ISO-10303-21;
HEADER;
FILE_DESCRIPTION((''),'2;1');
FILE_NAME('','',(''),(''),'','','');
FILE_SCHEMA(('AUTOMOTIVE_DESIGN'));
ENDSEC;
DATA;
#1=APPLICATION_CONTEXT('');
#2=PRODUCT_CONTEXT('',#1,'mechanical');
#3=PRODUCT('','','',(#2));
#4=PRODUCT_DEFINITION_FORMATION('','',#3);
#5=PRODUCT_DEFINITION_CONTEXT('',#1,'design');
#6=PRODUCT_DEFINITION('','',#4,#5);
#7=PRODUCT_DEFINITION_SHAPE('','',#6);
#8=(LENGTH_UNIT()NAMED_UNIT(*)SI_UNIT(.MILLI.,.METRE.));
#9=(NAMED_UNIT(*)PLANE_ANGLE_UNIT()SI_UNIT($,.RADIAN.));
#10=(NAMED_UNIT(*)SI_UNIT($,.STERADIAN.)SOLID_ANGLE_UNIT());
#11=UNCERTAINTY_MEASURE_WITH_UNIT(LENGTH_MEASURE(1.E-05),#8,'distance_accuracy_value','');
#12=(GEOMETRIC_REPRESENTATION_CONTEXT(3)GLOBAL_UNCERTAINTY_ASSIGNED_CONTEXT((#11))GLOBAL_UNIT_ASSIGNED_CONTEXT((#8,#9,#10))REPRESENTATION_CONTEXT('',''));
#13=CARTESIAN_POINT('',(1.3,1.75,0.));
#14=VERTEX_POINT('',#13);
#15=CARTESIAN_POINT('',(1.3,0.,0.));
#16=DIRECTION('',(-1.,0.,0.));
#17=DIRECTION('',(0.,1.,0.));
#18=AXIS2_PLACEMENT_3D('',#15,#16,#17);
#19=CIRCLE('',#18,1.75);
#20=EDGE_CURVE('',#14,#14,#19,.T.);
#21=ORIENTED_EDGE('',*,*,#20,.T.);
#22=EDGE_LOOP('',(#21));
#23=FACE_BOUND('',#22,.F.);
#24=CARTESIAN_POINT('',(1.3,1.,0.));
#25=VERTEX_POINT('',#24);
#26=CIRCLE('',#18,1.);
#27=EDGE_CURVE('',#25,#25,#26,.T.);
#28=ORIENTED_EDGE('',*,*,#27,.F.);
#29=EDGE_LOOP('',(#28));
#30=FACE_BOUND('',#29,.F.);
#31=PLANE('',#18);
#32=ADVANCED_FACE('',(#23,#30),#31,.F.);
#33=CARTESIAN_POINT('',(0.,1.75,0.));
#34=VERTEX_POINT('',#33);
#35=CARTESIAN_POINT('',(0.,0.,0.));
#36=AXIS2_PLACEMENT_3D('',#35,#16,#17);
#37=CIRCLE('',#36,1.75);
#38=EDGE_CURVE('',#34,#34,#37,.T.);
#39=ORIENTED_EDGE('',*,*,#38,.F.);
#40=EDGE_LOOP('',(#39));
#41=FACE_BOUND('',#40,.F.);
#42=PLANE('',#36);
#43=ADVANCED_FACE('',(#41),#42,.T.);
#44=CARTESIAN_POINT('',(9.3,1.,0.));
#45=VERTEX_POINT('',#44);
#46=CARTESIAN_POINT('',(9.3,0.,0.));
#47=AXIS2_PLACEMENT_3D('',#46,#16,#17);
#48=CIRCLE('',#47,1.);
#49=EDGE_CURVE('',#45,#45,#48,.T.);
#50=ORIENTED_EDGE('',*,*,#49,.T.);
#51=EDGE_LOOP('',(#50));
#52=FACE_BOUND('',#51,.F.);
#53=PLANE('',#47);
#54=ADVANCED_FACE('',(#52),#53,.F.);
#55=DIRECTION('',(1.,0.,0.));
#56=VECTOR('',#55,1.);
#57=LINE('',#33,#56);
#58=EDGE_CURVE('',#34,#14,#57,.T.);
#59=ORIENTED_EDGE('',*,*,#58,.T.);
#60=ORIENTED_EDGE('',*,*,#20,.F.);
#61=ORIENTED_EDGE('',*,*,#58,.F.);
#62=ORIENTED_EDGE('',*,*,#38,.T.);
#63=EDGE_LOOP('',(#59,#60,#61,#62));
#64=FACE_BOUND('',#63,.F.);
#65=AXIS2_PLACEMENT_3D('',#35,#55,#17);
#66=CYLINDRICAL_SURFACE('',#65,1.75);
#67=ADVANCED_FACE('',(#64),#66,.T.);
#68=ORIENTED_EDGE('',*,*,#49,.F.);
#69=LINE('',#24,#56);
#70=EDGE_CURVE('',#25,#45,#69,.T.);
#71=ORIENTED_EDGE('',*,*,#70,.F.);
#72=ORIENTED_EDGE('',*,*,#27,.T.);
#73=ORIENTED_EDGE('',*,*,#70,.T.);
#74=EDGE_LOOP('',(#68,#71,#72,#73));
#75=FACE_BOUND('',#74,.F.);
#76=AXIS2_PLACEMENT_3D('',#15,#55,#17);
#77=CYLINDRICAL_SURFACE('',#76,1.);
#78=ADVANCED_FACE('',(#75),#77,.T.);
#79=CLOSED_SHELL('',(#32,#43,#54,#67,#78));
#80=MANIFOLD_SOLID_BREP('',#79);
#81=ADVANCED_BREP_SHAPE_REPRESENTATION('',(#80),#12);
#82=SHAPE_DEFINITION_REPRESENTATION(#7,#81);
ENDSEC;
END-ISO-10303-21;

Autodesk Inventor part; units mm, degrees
ref_plane "YZ Plane" through (0, 0, 0) normal (1, 0, 0) x (0, 1, 0)
ref_plane "XZ Plane" through (0, 0, 0) normal (0, 1, 0) x (-1, 0, 0)
ref_plane "XY Plane" through (0, 0, 0) normal (0, 0, 1) x (1, 0, 0)
sketch "スケッチ1" plane through (0, 0, 0) normal (0, 0, 1) x (1, 0, 0)
  line L0 (0, 0) -> (0, 1.75)
  line L1 (0, 1.75) -> (1.3, 1.75)
  line L2 (1.3, 1.75) -> (1.3, 1)
  line L3 (1.3, 1) -> (9.3, 1)
  line L4 (9.3, 1) -> (9.3, 0)
  line L5 (9.3, 0) -> (0, 0)
  dimension "d0" = 1.3
  dimension "d1" = 8
  dimension "d2" = 1.75
  dimension "d3" = 1
revolve "回転1" add sketch "スケッチ1" angle 360 about axis through (9.3, 0, 0) along (-1, 0, 0)
properties part number "Parts_Screw_M2_L8" material "鋼"
